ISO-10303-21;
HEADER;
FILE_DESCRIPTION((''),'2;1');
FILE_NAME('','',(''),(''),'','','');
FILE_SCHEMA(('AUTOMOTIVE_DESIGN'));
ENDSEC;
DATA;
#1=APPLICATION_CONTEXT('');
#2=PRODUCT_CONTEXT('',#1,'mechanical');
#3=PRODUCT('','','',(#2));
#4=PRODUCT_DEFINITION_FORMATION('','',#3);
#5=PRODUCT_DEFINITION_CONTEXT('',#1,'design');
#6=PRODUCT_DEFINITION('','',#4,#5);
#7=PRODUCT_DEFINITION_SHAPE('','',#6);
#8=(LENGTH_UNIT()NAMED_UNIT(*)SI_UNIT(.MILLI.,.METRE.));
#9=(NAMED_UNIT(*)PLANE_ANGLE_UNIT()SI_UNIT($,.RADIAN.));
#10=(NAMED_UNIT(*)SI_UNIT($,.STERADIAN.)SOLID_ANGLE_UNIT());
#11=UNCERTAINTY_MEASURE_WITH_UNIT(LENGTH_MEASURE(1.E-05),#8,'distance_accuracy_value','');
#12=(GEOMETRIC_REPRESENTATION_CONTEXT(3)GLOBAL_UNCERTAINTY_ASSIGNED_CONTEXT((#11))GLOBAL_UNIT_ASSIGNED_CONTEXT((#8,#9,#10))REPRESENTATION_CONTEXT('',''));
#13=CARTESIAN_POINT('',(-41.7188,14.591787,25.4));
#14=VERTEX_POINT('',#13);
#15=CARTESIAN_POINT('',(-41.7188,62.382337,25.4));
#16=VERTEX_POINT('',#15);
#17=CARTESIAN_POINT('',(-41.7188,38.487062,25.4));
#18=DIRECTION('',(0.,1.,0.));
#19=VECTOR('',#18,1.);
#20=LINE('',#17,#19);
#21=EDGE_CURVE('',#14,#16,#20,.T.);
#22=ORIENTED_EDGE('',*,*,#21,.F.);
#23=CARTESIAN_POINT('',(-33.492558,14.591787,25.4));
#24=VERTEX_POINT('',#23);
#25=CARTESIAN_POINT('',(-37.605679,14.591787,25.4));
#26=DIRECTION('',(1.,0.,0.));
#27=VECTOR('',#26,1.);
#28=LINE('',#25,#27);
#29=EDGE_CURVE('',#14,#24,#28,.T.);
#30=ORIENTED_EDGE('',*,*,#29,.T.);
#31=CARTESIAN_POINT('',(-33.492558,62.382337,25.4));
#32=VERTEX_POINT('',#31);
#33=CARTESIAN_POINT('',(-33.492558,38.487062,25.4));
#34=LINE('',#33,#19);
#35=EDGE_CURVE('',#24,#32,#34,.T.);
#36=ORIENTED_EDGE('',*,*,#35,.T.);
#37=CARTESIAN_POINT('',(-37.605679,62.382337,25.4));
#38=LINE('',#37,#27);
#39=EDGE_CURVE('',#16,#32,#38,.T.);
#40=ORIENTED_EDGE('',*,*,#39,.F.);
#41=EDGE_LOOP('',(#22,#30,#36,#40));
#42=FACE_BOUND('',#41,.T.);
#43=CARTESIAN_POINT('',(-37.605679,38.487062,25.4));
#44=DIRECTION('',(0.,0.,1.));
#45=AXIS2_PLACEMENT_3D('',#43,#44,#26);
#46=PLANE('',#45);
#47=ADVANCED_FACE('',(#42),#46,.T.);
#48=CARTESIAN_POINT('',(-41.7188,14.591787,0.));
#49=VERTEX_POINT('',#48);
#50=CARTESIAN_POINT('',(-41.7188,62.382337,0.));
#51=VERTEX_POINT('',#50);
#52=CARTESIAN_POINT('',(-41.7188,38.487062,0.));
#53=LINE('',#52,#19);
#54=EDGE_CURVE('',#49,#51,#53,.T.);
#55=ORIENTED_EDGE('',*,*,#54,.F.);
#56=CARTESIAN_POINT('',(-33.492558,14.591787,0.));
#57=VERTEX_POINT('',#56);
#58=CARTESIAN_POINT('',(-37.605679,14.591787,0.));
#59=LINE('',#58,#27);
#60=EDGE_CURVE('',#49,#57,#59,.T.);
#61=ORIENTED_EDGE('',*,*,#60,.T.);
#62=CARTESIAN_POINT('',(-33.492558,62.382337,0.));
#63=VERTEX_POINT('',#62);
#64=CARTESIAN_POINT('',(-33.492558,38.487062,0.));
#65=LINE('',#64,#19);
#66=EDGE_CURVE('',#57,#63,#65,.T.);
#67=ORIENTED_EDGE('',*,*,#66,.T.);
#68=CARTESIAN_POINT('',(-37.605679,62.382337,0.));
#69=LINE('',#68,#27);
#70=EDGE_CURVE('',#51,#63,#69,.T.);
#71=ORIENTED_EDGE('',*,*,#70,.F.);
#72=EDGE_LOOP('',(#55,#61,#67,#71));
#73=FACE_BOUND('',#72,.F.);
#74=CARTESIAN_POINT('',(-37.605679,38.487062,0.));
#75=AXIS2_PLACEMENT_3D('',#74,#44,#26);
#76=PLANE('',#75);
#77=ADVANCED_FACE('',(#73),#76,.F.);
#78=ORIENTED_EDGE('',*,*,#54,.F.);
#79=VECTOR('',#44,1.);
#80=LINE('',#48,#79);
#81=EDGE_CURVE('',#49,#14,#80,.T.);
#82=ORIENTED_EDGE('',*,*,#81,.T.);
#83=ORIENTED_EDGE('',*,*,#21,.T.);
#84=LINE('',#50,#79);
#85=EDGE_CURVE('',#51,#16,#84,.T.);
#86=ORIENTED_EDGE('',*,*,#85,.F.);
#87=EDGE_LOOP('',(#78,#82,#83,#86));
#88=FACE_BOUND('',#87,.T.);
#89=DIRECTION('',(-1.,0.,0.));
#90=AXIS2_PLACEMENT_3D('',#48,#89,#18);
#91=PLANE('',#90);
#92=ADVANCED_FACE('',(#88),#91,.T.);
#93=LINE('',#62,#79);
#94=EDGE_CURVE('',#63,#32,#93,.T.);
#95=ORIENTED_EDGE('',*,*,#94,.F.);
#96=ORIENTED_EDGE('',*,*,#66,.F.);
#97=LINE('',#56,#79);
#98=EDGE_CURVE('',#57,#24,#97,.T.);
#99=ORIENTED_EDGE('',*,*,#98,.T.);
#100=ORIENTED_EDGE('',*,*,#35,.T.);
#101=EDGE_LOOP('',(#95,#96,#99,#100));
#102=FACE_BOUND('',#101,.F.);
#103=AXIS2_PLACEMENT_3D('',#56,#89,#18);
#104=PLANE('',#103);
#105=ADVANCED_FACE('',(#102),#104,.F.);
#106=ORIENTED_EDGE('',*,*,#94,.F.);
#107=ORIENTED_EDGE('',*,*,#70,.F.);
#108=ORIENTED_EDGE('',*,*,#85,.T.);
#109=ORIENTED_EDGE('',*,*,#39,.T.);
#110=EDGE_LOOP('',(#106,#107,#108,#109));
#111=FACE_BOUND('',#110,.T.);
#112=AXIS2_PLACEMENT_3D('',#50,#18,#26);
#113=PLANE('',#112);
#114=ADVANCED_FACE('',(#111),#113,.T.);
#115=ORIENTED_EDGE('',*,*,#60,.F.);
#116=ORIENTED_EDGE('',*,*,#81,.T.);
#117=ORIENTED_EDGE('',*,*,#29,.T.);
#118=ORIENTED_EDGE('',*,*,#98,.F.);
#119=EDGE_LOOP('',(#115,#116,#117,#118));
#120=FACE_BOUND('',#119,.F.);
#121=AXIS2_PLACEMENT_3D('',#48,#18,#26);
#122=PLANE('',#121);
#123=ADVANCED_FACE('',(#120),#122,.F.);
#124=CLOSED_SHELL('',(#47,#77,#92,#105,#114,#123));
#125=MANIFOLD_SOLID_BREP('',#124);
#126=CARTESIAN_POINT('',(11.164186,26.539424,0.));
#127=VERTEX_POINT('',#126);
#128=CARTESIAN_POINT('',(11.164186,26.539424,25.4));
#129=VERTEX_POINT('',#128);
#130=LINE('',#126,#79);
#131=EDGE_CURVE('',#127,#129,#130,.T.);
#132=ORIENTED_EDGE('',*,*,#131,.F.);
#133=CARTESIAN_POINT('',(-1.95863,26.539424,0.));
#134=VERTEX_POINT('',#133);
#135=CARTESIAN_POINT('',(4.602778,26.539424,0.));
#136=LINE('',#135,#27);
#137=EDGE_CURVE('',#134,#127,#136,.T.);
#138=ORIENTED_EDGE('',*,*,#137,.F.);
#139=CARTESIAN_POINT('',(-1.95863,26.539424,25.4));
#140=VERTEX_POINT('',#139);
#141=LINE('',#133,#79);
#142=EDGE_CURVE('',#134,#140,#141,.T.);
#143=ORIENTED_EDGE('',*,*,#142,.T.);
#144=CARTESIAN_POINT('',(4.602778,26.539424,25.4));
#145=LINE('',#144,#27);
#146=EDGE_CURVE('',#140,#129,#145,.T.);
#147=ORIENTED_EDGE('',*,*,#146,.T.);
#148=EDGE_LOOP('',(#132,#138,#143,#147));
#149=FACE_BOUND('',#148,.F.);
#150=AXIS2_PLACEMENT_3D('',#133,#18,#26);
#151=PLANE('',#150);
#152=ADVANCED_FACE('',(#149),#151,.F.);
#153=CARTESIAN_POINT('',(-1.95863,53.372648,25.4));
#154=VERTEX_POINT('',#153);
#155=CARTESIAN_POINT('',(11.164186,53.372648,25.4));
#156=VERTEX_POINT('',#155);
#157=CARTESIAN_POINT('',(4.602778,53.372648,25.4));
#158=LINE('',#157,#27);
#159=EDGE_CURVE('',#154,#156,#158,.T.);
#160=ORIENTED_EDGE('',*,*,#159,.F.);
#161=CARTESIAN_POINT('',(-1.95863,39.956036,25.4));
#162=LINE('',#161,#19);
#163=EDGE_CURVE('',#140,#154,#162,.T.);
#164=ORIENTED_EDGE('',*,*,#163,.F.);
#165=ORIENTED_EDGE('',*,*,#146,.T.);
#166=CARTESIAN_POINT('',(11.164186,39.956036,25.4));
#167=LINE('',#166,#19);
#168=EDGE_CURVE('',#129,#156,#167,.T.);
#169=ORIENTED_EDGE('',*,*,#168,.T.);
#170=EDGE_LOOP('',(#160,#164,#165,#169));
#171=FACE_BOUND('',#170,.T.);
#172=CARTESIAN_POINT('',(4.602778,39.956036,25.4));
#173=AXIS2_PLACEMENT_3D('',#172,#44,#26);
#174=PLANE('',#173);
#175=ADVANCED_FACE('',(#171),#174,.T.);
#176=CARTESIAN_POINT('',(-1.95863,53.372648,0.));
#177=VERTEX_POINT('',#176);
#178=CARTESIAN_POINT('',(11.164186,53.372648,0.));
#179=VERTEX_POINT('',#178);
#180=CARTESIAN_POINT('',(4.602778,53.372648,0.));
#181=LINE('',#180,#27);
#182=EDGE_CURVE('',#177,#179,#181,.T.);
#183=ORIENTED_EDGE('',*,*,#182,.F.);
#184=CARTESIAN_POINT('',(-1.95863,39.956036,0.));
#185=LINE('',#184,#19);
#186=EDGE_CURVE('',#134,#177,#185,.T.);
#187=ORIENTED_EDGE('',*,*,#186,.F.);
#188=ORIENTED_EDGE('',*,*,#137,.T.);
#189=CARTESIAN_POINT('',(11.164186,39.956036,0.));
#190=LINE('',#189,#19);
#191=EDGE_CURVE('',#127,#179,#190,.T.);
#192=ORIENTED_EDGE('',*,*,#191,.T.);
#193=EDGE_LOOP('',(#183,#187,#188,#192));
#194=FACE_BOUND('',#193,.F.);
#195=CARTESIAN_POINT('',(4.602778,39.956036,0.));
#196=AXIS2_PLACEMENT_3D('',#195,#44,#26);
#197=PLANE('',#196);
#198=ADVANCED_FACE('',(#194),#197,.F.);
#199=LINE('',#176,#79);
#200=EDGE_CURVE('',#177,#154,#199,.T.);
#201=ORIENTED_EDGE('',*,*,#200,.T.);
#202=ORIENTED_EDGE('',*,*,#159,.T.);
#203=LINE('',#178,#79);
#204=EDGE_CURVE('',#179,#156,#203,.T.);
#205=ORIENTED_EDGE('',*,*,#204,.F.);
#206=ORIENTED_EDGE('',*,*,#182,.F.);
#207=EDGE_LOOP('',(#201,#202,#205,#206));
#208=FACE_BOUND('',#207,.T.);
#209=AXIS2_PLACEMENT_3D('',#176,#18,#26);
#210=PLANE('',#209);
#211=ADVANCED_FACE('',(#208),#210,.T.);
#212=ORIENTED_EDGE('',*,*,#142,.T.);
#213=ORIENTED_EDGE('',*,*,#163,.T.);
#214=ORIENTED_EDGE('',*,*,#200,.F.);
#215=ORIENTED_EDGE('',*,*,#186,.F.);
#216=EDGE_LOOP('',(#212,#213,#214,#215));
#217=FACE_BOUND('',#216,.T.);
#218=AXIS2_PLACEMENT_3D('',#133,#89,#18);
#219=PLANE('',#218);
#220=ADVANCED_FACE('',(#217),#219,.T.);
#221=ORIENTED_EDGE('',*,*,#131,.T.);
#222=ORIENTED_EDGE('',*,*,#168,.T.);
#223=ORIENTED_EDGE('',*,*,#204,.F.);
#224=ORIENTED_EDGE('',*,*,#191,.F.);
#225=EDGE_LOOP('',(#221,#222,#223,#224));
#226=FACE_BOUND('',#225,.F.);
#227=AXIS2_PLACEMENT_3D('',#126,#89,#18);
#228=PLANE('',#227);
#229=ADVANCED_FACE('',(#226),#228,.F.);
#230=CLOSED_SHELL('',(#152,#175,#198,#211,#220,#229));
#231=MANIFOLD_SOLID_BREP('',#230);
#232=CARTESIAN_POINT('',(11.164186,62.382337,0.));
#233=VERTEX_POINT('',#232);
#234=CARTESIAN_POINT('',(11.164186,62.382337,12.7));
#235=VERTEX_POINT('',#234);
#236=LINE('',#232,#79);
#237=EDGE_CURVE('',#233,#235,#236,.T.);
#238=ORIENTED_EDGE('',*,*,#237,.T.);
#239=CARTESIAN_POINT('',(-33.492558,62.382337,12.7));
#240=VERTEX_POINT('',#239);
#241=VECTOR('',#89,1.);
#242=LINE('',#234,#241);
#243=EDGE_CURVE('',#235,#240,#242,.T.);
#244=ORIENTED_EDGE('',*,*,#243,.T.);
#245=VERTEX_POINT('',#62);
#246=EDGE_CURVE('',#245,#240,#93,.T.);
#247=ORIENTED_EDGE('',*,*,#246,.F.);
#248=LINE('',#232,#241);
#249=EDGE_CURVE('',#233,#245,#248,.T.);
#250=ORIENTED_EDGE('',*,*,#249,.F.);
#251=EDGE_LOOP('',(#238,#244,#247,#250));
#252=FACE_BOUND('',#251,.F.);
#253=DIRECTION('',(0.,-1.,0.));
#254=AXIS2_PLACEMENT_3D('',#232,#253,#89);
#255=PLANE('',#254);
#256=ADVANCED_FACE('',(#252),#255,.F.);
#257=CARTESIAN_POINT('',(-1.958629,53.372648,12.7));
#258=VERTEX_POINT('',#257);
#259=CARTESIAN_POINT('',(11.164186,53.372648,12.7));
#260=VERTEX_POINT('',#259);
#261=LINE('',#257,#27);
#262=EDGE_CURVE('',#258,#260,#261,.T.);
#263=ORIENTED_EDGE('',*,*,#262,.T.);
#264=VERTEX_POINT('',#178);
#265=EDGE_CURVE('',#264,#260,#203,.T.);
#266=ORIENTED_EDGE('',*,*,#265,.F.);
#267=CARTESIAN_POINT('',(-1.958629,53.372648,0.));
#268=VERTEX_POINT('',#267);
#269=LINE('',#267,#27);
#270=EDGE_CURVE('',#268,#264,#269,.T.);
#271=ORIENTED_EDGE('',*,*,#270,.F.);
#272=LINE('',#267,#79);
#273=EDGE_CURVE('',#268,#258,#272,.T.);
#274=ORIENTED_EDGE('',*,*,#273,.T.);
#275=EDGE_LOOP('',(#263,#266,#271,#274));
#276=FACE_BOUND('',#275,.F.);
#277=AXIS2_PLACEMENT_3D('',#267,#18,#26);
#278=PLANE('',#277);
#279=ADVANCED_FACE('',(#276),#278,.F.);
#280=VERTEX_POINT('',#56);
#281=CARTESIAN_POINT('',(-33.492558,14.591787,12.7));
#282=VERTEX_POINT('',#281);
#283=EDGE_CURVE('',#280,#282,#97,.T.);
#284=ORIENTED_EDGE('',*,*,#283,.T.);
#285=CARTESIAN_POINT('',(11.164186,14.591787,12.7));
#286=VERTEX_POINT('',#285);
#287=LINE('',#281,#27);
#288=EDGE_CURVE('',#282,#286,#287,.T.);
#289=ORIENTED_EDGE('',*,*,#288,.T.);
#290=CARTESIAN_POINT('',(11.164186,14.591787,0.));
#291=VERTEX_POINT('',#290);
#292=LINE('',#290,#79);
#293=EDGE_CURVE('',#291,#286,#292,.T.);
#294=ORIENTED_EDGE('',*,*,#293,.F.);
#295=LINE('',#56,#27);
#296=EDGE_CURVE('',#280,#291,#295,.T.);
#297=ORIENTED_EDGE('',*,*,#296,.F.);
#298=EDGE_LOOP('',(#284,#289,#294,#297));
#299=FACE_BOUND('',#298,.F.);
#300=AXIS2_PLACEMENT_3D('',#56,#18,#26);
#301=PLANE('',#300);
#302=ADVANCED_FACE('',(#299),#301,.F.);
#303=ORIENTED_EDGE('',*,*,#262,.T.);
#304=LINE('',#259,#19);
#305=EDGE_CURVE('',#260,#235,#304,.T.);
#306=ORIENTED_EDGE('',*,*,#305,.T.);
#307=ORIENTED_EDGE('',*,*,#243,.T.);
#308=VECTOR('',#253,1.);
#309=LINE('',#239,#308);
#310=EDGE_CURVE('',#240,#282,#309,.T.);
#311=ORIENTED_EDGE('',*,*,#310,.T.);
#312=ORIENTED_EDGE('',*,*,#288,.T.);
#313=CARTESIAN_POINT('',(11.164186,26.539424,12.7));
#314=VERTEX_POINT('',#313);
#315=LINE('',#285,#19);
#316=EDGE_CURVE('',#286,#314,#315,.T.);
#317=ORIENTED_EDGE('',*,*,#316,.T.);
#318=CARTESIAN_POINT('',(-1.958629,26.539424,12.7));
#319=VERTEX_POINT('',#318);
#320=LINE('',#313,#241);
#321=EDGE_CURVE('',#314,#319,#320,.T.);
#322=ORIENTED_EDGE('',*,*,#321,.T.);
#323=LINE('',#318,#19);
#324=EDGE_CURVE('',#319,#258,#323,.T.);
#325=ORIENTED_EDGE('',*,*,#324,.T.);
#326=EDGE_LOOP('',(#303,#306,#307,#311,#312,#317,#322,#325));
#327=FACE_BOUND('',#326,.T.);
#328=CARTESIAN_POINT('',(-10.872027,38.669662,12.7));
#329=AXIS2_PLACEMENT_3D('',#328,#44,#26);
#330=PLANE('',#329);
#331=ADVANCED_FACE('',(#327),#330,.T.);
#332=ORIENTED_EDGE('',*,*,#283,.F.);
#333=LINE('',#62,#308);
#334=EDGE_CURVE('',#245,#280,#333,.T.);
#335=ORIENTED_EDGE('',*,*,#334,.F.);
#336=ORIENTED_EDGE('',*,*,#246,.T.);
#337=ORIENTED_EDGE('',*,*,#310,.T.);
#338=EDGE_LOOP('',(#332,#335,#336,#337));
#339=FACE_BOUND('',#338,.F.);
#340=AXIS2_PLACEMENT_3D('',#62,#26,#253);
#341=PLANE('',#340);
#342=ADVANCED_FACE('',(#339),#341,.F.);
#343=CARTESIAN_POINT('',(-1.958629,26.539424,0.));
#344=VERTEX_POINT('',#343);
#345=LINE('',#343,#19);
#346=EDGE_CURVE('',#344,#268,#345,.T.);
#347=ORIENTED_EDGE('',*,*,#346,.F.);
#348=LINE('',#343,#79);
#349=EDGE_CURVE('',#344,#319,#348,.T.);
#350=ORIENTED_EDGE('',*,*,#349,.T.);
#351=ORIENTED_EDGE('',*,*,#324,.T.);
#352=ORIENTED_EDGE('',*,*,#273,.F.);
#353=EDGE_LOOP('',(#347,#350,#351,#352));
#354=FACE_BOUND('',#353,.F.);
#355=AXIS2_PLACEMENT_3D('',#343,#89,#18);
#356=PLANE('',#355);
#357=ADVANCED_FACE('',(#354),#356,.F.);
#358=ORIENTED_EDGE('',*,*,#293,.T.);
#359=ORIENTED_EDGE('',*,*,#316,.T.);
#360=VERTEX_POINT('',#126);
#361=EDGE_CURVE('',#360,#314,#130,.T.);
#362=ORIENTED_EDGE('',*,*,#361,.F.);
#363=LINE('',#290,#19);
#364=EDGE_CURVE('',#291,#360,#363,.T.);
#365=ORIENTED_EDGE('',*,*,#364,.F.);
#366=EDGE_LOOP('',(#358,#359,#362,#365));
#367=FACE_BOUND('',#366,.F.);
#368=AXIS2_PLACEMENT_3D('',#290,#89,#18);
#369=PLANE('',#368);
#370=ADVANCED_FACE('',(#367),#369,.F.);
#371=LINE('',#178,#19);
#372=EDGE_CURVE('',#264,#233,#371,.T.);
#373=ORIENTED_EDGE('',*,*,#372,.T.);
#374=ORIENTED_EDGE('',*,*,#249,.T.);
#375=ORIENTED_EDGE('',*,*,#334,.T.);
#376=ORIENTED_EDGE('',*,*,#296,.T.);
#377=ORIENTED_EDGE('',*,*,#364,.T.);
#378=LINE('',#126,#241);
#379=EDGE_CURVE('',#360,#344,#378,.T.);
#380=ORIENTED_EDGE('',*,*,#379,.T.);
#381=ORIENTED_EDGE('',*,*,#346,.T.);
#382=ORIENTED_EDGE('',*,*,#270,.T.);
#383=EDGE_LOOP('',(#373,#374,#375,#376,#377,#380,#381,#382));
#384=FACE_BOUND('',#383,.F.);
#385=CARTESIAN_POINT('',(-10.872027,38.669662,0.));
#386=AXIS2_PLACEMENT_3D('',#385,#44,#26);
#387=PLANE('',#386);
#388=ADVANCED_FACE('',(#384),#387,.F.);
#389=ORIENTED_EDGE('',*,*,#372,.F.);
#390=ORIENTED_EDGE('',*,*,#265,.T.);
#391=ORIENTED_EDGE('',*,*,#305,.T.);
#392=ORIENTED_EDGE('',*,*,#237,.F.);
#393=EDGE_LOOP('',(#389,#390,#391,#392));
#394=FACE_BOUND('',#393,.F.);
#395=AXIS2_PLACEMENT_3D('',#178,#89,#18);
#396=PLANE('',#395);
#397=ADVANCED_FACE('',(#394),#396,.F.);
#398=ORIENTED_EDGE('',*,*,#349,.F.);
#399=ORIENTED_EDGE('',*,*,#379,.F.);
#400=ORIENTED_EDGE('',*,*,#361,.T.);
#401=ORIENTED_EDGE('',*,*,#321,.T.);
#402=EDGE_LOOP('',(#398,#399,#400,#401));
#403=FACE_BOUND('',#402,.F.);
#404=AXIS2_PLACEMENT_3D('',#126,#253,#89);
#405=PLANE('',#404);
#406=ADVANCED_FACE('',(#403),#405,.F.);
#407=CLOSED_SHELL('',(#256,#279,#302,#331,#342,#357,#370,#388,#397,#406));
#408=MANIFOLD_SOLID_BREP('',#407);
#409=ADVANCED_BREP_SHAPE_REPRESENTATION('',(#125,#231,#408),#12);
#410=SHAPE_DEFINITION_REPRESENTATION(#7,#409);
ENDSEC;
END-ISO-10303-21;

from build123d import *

# Parameters (mm, degrees)
F0_W     = 8.226242
F0_H     = 47.79055
F0_W_2   = 13.122815
F0_H_2   = 26.833224
F1_DEPTH = 25.4
F2_DEPTH = 12.7


with BuildPart() as f1:
    # F0 (on Top) → F1 (new body)
    with BuildSketch(Plane.XY):
        with Locations((-37.605679, 38.487062)):
            Rectangle(F0_W, F0_H)
        with Locations((4.602778, 39.956036)):
            Rectangle(F0_W_2, F0_H_2)
    extrude(amount=F1_DEPTH)


with BuildPart() as f2:
    # F0 (on Top) → F2 (new body)
    with BuildSketch(Plane.XY):
        Polygon((11.164186, 62.382337), (-33.492558, 62.382337), (-33.492558, 14.591787), (11.164186, 14.591787), (11.164186, 26.539424), (-1.958629, 26.539424), (-1.958629, 53.372648), (11.164186, 53.372648), align=None)
    extrude(amount=F2_DEPTH)


solid = Compound([f1.part, f2.part])
